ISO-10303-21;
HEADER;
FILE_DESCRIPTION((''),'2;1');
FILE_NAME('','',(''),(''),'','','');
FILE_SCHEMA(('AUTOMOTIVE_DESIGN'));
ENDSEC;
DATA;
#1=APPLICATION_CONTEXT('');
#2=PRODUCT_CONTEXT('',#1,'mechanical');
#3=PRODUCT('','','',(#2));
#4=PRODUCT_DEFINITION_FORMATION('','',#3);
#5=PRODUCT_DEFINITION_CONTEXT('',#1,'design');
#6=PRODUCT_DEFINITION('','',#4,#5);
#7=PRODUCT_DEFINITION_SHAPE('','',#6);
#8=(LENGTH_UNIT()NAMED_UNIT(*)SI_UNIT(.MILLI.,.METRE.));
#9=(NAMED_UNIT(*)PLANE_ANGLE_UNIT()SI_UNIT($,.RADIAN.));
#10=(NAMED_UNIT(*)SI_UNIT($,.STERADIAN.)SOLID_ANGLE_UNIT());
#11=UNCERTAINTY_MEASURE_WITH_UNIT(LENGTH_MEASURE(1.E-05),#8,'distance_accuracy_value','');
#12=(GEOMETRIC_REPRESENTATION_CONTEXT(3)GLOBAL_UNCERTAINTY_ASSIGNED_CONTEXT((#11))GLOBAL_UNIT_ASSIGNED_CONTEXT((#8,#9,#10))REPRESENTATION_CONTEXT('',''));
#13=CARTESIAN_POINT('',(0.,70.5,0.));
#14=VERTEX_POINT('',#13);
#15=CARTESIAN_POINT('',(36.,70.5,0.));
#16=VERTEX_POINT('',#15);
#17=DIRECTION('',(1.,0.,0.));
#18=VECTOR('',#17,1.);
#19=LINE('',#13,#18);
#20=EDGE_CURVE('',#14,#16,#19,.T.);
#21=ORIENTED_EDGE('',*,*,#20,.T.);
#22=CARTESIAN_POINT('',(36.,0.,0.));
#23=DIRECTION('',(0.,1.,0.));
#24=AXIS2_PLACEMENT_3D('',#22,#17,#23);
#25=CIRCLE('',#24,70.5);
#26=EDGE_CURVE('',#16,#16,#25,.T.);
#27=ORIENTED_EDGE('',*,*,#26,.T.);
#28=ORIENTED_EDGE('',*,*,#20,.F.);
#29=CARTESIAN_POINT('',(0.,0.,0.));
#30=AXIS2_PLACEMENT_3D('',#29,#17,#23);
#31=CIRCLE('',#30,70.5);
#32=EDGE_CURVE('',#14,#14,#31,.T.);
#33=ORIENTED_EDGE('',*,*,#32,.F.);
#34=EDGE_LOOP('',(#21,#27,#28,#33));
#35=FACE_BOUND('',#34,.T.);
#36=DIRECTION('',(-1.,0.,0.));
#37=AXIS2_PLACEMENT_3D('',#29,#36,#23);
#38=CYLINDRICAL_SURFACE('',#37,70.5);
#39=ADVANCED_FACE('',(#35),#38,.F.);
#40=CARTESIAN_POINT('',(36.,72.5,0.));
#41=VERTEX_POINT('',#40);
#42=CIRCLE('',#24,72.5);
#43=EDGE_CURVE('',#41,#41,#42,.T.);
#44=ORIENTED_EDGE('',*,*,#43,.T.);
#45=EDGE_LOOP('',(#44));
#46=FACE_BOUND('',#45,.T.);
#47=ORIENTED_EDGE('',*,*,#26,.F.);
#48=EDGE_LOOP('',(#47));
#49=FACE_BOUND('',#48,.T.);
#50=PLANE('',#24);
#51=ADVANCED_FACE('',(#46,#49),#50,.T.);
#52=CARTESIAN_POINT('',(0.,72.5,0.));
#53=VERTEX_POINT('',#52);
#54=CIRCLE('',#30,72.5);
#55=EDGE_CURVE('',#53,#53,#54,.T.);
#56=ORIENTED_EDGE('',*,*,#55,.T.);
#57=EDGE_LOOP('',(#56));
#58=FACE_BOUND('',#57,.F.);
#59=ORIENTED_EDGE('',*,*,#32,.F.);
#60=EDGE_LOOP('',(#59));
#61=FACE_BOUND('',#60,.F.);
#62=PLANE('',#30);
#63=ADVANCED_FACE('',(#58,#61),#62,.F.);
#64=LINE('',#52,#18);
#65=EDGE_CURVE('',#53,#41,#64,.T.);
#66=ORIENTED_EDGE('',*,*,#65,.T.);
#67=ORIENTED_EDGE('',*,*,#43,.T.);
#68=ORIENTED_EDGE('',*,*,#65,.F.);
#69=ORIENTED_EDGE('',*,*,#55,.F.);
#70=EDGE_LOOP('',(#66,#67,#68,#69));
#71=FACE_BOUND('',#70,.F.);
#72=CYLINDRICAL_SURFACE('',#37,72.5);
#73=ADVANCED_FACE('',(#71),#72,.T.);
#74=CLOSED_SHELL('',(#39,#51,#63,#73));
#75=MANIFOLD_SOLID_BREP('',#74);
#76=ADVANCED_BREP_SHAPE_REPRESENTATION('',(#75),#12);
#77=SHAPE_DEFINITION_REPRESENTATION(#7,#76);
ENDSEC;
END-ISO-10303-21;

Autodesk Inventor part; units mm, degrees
ref_plane "YZ Plane" through (0, 0, 0) normal (1, 0, 0) x (0, 1, 0)
ref_plane "XZ Plane" through (0, 0, 0) normal (0, 1, 0) x (-1, 0, 0)
ref_plane "XY Plane" through (0, 0, 0) normal (0, 0, 1) x (1, 0, 0)
sketch "Sketch1" plane through (0, 0, 0) normal (1, 0, 0) x (0, 1, 0)
  circle A0 centre (0, 0) radius 70.5
  circle A1 centre (0, 0) radius 72.5
  dimension "d0" = 2
  dimension "d2" = 145
extrude "Extrusion1" add sketch "Sketch1" along normal blind 36
properties part number "Lop_banh_xe" material "Rubber, Silicone"
